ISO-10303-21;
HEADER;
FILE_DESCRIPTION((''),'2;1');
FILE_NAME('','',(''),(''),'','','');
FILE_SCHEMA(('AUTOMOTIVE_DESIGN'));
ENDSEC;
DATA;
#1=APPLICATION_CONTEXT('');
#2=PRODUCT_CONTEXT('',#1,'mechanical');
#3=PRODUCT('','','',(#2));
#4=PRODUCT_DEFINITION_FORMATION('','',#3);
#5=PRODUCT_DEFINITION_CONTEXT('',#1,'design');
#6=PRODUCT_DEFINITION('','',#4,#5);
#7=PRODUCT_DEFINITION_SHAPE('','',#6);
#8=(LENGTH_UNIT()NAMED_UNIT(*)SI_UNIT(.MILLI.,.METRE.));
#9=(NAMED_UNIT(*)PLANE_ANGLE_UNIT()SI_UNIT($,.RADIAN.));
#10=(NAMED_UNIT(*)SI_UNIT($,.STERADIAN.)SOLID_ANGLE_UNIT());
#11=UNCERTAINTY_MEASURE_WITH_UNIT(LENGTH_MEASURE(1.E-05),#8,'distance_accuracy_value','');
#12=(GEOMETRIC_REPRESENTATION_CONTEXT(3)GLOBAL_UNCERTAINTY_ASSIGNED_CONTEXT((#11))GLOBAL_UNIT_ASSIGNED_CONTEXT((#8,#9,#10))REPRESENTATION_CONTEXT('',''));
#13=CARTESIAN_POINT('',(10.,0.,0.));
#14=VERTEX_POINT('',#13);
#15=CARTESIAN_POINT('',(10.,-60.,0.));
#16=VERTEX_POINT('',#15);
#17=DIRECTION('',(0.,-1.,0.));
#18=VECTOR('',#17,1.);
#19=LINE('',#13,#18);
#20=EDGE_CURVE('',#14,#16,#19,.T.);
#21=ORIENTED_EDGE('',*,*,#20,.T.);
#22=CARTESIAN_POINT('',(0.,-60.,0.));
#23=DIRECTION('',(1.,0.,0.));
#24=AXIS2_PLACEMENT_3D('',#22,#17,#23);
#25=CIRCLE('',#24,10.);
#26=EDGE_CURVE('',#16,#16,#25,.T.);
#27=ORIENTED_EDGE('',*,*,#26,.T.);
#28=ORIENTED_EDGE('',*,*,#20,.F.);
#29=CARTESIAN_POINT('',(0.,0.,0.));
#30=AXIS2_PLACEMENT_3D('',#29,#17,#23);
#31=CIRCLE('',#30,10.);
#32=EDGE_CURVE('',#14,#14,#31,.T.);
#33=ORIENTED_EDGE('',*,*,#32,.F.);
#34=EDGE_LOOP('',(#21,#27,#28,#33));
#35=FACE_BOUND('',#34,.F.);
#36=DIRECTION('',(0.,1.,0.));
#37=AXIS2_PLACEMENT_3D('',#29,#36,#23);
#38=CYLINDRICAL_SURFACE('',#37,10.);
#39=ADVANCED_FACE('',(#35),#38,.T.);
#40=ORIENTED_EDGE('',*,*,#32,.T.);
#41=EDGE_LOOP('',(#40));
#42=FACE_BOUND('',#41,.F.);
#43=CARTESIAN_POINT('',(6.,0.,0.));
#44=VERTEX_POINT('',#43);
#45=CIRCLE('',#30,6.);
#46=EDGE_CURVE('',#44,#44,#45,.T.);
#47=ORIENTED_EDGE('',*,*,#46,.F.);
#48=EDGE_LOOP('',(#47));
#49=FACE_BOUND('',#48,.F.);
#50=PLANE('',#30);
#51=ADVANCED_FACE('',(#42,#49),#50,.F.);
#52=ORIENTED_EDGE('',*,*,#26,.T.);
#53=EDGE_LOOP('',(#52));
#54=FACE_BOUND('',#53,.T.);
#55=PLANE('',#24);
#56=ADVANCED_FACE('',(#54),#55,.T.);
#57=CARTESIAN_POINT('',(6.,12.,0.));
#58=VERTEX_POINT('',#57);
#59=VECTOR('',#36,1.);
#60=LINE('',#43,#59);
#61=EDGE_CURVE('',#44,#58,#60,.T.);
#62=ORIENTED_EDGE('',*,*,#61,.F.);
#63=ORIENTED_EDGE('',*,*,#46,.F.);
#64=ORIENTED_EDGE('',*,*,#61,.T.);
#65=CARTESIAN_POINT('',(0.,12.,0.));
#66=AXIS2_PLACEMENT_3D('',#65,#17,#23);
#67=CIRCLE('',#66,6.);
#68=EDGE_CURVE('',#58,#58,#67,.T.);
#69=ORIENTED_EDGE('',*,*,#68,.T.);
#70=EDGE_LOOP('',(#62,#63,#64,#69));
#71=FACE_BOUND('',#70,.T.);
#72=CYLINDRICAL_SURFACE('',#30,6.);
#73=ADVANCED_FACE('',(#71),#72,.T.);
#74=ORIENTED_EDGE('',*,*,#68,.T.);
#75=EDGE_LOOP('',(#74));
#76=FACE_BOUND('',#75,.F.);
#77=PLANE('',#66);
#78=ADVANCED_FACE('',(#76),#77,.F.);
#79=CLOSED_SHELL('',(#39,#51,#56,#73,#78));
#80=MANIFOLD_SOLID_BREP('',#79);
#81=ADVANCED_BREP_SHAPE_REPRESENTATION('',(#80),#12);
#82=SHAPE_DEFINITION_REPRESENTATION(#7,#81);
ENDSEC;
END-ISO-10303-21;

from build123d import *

# Parameters (mm, degrees)
F0_R     = 10
F2_DEPTH = 60
F3_R     = 6
F1_DEPTH = 12


with BuildPart() as f2:
    # F0 (on Front) → F2 (new body)
    with BuildSketch(Plane.XZ):
        Circle(F0_R)
    extrude(amount=F2_DEPTH)

    # F3 (on Front) → F1 (join)
    with BuildSketch(Plane.XZ):
        Circle(F3_R)
    extrude(amount=-F1_DEPTH)


solid = f2.part
